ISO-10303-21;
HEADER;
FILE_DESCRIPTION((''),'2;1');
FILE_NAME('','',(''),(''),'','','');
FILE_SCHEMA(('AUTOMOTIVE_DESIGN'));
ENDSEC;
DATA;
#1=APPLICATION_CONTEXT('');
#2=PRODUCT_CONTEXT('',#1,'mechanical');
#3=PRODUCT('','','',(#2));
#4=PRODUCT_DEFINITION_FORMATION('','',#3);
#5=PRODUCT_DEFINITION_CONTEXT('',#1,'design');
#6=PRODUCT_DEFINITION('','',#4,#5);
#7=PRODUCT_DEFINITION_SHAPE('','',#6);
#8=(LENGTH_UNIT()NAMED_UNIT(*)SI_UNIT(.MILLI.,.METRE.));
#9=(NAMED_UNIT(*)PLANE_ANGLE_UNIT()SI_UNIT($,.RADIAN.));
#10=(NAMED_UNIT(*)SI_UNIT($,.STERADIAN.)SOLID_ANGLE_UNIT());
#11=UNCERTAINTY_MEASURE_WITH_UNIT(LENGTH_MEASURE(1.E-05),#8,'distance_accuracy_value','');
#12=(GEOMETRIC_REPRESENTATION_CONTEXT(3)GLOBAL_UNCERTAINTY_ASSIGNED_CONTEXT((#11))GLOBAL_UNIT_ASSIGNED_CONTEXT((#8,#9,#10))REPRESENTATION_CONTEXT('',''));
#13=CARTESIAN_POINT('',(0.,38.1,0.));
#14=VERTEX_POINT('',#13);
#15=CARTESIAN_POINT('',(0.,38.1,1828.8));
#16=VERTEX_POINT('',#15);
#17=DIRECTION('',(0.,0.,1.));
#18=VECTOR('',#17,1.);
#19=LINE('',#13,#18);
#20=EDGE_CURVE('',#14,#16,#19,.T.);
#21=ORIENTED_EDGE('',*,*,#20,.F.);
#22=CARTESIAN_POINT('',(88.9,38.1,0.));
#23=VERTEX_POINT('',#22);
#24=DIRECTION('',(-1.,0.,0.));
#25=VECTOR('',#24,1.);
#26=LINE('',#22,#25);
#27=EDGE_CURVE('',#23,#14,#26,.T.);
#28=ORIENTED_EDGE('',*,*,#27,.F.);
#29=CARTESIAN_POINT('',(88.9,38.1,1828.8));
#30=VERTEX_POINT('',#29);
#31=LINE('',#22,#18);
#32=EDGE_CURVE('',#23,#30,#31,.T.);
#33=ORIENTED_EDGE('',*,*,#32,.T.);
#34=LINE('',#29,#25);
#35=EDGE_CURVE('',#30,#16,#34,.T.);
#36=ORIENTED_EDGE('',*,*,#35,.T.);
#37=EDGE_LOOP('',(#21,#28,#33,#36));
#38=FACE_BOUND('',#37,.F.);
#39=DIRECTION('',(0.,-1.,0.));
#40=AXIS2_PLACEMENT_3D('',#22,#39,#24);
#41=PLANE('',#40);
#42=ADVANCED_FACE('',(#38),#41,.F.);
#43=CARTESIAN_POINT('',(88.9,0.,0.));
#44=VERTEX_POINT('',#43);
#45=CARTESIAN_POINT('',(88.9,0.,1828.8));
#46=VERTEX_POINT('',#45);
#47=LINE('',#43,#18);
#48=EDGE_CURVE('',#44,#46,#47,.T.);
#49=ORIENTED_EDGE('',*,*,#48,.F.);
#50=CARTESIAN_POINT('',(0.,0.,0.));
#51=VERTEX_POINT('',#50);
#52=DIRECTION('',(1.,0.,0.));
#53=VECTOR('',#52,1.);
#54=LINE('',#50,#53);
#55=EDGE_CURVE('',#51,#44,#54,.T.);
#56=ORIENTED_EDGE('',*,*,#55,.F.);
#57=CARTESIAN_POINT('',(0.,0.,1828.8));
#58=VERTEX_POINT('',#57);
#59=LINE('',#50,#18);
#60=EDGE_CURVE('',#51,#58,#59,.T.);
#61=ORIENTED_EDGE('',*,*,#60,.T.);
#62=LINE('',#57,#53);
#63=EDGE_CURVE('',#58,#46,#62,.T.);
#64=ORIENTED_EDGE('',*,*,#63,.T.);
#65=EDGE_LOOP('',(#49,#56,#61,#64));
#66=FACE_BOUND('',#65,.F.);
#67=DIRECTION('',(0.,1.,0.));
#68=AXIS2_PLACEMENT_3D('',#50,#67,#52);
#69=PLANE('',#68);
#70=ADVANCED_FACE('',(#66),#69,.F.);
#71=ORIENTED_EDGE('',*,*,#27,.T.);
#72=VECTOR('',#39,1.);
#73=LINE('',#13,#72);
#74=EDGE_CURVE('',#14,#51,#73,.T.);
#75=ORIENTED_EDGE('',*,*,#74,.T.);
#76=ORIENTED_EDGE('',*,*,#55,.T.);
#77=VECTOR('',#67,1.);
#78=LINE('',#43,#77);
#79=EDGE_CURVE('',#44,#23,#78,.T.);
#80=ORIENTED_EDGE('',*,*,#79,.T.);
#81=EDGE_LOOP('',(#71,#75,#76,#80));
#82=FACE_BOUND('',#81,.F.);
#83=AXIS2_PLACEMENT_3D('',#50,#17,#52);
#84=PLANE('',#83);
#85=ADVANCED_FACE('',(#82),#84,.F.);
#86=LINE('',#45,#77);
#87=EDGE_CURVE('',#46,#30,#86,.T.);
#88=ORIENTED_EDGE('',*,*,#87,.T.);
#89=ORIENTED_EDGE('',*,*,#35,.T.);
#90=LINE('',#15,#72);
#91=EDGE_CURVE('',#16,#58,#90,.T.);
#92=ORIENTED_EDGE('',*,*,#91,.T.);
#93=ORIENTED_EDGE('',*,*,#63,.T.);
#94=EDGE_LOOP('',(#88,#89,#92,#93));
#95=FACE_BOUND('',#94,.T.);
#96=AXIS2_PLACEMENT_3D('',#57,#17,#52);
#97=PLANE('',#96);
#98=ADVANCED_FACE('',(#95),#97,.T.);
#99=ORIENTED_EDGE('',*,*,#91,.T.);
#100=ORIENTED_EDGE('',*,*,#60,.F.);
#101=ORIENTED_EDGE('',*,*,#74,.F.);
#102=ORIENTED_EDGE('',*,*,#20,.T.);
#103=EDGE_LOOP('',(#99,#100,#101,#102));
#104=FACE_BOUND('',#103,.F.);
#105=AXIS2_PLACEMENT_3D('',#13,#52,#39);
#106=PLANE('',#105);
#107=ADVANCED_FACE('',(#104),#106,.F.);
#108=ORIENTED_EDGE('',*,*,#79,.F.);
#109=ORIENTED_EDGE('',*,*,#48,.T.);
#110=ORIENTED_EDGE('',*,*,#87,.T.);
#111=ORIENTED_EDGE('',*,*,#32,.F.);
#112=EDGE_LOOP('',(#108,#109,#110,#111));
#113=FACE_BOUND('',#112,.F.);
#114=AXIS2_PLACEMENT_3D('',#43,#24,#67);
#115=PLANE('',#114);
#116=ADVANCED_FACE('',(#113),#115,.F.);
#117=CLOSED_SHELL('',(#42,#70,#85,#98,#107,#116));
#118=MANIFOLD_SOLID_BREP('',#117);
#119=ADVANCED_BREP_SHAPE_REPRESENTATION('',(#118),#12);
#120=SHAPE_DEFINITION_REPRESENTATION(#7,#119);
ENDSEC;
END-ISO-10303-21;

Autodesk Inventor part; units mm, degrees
ref_plane "YZ Plane" through (0, 0, 0) normal (1, 0, 0) x (0, 1, 0)
ref_plane "XZ Plane" through (0, 0, 0) normal (0, 1, 0) x (-1, 0, 0)
ref_plane "XY Plane" through (0, 0, 0) normal (0, 0, 1) x (1, 0, 0)
sketch "Sketch1" plane through (0, 0, 0) normal (0, 0, 1) x (1, 0, 0)
  line L0 (0, 0) -> (88.9, 0)
  line L1 (88.9, 0) -> (88.9, 38.1)
  line L2 (88.9, 38.1) -> (0, 38.1)
  line L3 (0, 38.1) -> (0, 0)
  dimension "d0" = 88.9
  dimension "d1" = 38.1
extrude "Extrusion1" add sketch "Sketch1" along normal blind 1828.8
properties part number "Plate_With_Length_72_Inches" material "Wood (Birch)"
